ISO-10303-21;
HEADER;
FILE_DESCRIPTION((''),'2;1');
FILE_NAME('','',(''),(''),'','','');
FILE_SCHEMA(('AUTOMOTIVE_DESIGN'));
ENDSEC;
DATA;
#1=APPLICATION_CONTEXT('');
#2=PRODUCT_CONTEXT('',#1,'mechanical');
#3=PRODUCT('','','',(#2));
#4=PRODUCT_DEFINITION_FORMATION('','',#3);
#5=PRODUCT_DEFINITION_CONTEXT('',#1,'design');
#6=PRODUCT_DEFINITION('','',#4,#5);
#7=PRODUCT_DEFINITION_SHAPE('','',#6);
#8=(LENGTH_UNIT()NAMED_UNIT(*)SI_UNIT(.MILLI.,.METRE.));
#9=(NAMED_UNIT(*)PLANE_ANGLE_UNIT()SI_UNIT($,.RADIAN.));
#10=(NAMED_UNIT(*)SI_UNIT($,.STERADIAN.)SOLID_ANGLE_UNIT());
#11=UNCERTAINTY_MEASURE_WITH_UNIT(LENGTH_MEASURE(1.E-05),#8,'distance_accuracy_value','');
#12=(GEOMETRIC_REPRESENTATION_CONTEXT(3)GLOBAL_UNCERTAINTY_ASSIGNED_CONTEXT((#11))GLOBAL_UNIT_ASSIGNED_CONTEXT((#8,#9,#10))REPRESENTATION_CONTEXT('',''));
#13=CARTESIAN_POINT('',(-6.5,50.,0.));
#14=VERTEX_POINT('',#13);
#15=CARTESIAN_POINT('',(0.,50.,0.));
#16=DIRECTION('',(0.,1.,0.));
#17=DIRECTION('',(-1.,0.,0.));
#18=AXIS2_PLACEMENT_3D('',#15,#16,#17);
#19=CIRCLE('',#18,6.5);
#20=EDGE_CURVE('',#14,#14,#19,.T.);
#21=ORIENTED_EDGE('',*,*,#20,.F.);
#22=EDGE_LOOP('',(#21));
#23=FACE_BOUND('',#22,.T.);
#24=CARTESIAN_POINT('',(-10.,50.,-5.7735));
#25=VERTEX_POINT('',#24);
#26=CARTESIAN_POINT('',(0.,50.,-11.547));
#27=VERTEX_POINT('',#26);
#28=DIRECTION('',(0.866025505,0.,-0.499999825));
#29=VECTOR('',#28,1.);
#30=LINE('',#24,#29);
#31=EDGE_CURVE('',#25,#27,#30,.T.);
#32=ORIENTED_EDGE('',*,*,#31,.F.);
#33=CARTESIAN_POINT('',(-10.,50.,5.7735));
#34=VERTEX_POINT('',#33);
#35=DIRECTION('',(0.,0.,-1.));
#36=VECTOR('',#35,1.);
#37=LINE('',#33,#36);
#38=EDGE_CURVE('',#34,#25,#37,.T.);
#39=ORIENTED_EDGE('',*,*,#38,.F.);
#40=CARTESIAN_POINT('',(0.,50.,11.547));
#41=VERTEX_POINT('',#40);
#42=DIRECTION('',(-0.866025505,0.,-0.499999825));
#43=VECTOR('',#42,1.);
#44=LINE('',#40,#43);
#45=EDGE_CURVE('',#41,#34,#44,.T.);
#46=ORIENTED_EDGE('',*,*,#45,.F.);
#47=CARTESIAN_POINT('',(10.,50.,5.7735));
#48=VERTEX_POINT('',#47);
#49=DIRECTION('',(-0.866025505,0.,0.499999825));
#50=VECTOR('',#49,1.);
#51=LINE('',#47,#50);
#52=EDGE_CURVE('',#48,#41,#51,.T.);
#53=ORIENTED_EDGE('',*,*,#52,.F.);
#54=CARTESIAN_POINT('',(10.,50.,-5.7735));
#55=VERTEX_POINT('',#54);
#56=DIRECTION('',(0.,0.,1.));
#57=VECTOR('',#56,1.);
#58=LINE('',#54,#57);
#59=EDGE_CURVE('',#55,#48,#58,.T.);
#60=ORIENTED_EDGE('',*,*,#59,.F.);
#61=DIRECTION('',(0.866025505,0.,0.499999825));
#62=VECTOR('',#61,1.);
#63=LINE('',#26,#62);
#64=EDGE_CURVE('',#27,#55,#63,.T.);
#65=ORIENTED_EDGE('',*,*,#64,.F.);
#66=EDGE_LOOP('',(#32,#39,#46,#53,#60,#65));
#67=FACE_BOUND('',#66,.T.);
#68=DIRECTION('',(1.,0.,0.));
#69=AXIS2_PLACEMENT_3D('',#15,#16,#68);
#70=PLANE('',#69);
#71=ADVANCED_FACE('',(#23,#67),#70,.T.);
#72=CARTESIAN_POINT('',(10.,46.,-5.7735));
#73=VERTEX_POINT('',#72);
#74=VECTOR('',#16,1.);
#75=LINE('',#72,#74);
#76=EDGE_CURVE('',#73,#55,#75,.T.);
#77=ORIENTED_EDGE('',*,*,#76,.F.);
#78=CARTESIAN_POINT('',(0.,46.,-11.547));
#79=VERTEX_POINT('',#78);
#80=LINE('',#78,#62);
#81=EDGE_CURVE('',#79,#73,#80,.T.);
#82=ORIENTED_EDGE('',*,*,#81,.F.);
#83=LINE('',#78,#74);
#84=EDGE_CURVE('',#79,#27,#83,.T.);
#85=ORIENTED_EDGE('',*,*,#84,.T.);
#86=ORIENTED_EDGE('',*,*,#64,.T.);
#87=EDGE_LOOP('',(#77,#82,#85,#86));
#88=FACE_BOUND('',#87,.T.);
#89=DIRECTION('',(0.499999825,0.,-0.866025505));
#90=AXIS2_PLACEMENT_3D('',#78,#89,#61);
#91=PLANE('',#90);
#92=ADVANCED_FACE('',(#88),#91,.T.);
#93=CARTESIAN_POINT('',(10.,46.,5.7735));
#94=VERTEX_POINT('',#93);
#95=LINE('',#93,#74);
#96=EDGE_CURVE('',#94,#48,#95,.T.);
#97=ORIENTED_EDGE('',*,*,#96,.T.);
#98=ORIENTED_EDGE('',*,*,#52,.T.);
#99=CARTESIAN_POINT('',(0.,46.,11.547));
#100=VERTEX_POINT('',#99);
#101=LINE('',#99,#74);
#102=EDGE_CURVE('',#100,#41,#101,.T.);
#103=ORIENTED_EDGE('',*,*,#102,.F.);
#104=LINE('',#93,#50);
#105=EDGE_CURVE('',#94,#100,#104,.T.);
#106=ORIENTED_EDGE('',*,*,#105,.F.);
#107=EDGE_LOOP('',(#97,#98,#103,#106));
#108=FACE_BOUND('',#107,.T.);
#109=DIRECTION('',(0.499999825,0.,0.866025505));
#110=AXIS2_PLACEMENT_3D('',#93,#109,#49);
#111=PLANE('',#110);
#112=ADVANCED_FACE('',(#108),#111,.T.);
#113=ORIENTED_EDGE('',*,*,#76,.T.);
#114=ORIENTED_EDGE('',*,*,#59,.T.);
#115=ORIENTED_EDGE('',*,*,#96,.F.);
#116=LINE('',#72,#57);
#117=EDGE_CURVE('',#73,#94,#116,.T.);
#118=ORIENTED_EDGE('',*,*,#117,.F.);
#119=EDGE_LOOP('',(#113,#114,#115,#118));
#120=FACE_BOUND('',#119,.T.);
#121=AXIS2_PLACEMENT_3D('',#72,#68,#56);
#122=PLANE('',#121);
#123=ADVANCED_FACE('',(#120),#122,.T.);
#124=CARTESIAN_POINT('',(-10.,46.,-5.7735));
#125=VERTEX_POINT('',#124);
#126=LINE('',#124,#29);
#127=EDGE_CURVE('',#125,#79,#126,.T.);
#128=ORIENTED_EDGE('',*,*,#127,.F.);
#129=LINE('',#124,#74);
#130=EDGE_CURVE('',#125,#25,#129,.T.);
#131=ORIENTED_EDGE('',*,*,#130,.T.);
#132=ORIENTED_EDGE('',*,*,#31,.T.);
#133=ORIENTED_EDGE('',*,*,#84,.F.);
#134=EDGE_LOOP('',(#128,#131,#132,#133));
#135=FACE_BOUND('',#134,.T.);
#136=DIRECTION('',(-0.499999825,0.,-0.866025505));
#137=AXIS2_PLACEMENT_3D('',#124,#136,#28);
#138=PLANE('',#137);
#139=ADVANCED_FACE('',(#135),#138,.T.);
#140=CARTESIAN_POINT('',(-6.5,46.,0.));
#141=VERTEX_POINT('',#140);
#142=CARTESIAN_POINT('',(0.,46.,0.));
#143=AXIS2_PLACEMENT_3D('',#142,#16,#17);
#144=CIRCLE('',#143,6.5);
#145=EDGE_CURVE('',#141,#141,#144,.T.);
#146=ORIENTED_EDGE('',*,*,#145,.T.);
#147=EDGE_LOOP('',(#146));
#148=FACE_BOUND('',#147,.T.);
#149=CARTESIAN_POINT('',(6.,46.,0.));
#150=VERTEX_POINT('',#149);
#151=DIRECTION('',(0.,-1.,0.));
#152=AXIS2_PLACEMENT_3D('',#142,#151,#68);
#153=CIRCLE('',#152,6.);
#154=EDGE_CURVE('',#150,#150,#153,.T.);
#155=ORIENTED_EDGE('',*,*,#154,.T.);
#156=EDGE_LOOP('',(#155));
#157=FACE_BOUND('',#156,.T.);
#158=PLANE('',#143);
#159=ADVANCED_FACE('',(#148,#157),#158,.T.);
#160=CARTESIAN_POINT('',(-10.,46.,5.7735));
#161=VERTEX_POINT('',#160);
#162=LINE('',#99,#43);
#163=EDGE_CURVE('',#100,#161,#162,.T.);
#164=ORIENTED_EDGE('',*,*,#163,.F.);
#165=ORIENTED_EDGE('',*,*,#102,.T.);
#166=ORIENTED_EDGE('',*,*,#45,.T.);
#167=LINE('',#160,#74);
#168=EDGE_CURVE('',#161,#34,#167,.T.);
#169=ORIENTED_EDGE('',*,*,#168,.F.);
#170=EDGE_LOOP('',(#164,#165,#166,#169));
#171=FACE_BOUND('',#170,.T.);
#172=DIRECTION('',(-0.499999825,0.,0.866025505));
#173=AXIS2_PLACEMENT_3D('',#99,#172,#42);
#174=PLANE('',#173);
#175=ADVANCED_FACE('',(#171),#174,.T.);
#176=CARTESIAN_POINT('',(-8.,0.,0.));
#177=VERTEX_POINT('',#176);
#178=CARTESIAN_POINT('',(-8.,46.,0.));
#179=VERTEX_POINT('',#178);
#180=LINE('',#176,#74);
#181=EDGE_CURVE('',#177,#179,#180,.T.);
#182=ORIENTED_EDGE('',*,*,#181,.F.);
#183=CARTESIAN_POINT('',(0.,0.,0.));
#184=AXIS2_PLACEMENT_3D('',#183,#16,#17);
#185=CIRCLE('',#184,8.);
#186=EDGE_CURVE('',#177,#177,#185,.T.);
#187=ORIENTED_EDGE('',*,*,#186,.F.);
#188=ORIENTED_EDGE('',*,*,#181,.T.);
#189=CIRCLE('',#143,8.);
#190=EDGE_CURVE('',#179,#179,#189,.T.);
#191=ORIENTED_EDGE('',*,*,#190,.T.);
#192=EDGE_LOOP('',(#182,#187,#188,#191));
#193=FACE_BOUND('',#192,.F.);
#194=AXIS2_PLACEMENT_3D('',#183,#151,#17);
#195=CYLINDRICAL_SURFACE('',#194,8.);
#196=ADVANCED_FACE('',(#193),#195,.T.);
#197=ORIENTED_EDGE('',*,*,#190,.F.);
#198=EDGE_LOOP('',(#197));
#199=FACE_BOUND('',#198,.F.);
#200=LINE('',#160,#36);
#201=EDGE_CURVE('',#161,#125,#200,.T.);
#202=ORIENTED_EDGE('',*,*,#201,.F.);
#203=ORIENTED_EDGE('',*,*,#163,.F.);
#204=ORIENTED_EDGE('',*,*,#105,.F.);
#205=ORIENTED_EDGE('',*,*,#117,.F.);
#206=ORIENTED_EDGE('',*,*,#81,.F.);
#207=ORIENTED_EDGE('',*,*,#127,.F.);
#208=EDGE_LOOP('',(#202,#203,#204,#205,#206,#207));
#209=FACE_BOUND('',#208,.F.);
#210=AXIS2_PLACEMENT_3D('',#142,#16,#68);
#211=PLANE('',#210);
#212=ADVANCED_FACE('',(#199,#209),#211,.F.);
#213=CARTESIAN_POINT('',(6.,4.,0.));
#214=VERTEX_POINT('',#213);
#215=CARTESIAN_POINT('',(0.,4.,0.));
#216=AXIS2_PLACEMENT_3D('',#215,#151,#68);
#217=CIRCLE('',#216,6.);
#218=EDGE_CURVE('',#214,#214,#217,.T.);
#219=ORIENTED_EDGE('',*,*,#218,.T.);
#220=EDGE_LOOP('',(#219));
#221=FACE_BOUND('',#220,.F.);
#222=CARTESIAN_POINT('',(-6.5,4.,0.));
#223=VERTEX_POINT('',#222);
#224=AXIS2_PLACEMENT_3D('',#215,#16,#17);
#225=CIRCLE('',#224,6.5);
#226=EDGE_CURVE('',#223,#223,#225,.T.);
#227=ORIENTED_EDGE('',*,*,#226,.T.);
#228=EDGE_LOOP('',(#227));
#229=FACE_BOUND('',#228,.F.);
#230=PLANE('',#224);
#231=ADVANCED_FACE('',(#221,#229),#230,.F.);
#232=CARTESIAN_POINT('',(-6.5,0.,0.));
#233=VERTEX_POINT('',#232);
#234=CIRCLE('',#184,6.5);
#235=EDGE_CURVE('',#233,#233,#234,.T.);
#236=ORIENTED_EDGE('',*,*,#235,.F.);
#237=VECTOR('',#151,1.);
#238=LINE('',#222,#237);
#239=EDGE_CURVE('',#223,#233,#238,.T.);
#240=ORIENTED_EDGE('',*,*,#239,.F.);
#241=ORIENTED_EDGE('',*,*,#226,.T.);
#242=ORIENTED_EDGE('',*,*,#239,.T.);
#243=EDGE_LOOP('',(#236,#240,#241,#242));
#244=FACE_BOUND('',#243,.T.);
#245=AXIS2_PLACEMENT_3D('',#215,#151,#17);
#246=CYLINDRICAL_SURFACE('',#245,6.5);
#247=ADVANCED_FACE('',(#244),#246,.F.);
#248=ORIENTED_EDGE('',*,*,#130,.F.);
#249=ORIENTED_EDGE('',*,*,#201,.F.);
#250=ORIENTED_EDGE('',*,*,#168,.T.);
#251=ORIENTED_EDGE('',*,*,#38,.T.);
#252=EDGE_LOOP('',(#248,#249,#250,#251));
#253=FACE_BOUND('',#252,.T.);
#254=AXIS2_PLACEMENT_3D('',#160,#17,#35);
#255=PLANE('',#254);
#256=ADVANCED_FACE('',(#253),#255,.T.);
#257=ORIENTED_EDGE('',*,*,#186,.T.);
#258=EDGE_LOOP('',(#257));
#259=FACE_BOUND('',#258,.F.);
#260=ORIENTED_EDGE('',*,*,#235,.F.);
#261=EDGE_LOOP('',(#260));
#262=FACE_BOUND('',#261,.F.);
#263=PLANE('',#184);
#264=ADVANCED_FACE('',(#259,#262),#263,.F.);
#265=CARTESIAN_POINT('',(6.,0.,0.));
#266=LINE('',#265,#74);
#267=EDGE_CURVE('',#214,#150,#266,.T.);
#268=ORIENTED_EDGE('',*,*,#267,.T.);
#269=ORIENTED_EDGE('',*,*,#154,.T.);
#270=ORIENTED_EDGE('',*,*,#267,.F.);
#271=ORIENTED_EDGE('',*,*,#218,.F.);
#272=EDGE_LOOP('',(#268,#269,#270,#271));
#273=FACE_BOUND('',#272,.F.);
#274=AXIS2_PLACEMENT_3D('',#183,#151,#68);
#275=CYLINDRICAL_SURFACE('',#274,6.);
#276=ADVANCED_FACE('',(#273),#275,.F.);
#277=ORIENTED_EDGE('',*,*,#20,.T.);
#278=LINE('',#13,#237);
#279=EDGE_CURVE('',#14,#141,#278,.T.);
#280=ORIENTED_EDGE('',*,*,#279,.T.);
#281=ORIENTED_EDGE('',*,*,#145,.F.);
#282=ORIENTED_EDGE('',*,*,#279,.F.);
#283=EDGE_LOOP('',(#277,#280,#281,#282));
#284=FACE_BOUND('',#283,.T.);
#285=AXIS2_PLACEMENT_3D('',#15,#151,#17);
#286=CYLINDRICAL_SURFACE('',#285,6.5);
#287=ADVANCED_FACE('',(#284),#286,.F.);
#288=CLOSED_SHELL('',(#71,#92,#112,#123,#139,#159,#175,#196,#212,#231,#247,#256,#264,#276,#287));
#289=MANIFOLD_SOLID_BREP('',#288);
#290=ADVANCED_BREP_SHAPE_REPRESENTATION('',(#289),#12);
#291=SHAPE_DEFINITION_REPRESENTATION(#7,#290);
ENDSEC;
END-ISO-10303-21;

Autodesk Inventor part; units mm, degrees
ref_plane "YZ Plane" through (0, 0, 0) normal (1, 0, 0) x (0, 1, 0)
ref_plane "XZ Plane" through (0, 0, 0) normal (0, 1, 0) x (-1, 0, 0)
ref_plane "XY Plane" through (0, 0, 0) normal (0, 0, 1) x (1, 0, 0)
sketch "Boceto1" plane through (0, 0, 0) normal (0, 1, 0) x (-1, 0, 0)
  circle A0 centre (0, 0) radius 8
  dimension "d0" = 16
extrude "Extrusión1" add sketch "Boceto1" along normal blind 46
sketch "Boceto2" plane through (0, 46, 0) normal (0, 1, 0) x (1, 0, 0)
  line L0 (0, 11.547) -> (10, 5.7735)
  line L1 (10, 5.7735) -> (10, -5.7735)
  line L2 (10, -5.7735) -> (0, -11.547)
  line L3 (0, -11.547) -> (-10, -5.7735)
  line L4 (-10, -5.7735) -> (-10, 5.7735)
  line L5 (-10, 5.7735) -> (0, 11.547)
  point P0 (0, 0)
  point P1 (0, 0)
  point P2 (-10, 0)
  dimension "d3" = 10
extrude "Extrusión2" add sketch "Boceto2" along normal blind 4
sketch "Boceto3" plane through (0, 0, 0) normal (0, -1, 0) x (1, 0, 0)
  circle A0 centre (0, 0) radius 8 projected
  circle A1 centre (0, 0) radius 6
  dimension "d6" = 2
extrude "Extrusión3" cut sketch "Boceto3" against normal through all contours A1
sketch "Boceto4" plane through (0, 0, 0) normal (0, 0, 1) x (1, 0, 0)
  line L0 (-6, 0) -> (-6, 50) projected
  line L1 (6, 0) -> (6, 50) projected
  line L2 (-6, 0) -> (-6.5, 0)
  line L3 (-8, 0) -> (8, 0) projected
  line L4 (-6.5, 4) -> (-6.5, 0)
  line L5 (-6.5, 4) -> (-6, 4)
  line L6 (-6.5, 0) -> (-6, 0)
  line L7 (0, -14.3469) -> (0, 54.7161)
  line L8 (-6.5, 50) -> (-6.5, 46)
  line L9 (-6.5, 46) -> (-6, 46)
  line L10 (-10, 50) -> (0, 50) projected
  point P0 (0, 0)
  dimension "d9" = 0.5
  dimension "d10" = 4
  dimension "d11" = 0.5
  dimension "d12" = 4
revolve "Revolución1" cut sketch "Boceto4" angle 360 about axis through (0, -14.3469, 0) along (0, 1, 0) contours L2 L4 L5 L0 | L9 L8 L10 L0
properties part number "steering_stand_off_bush"
